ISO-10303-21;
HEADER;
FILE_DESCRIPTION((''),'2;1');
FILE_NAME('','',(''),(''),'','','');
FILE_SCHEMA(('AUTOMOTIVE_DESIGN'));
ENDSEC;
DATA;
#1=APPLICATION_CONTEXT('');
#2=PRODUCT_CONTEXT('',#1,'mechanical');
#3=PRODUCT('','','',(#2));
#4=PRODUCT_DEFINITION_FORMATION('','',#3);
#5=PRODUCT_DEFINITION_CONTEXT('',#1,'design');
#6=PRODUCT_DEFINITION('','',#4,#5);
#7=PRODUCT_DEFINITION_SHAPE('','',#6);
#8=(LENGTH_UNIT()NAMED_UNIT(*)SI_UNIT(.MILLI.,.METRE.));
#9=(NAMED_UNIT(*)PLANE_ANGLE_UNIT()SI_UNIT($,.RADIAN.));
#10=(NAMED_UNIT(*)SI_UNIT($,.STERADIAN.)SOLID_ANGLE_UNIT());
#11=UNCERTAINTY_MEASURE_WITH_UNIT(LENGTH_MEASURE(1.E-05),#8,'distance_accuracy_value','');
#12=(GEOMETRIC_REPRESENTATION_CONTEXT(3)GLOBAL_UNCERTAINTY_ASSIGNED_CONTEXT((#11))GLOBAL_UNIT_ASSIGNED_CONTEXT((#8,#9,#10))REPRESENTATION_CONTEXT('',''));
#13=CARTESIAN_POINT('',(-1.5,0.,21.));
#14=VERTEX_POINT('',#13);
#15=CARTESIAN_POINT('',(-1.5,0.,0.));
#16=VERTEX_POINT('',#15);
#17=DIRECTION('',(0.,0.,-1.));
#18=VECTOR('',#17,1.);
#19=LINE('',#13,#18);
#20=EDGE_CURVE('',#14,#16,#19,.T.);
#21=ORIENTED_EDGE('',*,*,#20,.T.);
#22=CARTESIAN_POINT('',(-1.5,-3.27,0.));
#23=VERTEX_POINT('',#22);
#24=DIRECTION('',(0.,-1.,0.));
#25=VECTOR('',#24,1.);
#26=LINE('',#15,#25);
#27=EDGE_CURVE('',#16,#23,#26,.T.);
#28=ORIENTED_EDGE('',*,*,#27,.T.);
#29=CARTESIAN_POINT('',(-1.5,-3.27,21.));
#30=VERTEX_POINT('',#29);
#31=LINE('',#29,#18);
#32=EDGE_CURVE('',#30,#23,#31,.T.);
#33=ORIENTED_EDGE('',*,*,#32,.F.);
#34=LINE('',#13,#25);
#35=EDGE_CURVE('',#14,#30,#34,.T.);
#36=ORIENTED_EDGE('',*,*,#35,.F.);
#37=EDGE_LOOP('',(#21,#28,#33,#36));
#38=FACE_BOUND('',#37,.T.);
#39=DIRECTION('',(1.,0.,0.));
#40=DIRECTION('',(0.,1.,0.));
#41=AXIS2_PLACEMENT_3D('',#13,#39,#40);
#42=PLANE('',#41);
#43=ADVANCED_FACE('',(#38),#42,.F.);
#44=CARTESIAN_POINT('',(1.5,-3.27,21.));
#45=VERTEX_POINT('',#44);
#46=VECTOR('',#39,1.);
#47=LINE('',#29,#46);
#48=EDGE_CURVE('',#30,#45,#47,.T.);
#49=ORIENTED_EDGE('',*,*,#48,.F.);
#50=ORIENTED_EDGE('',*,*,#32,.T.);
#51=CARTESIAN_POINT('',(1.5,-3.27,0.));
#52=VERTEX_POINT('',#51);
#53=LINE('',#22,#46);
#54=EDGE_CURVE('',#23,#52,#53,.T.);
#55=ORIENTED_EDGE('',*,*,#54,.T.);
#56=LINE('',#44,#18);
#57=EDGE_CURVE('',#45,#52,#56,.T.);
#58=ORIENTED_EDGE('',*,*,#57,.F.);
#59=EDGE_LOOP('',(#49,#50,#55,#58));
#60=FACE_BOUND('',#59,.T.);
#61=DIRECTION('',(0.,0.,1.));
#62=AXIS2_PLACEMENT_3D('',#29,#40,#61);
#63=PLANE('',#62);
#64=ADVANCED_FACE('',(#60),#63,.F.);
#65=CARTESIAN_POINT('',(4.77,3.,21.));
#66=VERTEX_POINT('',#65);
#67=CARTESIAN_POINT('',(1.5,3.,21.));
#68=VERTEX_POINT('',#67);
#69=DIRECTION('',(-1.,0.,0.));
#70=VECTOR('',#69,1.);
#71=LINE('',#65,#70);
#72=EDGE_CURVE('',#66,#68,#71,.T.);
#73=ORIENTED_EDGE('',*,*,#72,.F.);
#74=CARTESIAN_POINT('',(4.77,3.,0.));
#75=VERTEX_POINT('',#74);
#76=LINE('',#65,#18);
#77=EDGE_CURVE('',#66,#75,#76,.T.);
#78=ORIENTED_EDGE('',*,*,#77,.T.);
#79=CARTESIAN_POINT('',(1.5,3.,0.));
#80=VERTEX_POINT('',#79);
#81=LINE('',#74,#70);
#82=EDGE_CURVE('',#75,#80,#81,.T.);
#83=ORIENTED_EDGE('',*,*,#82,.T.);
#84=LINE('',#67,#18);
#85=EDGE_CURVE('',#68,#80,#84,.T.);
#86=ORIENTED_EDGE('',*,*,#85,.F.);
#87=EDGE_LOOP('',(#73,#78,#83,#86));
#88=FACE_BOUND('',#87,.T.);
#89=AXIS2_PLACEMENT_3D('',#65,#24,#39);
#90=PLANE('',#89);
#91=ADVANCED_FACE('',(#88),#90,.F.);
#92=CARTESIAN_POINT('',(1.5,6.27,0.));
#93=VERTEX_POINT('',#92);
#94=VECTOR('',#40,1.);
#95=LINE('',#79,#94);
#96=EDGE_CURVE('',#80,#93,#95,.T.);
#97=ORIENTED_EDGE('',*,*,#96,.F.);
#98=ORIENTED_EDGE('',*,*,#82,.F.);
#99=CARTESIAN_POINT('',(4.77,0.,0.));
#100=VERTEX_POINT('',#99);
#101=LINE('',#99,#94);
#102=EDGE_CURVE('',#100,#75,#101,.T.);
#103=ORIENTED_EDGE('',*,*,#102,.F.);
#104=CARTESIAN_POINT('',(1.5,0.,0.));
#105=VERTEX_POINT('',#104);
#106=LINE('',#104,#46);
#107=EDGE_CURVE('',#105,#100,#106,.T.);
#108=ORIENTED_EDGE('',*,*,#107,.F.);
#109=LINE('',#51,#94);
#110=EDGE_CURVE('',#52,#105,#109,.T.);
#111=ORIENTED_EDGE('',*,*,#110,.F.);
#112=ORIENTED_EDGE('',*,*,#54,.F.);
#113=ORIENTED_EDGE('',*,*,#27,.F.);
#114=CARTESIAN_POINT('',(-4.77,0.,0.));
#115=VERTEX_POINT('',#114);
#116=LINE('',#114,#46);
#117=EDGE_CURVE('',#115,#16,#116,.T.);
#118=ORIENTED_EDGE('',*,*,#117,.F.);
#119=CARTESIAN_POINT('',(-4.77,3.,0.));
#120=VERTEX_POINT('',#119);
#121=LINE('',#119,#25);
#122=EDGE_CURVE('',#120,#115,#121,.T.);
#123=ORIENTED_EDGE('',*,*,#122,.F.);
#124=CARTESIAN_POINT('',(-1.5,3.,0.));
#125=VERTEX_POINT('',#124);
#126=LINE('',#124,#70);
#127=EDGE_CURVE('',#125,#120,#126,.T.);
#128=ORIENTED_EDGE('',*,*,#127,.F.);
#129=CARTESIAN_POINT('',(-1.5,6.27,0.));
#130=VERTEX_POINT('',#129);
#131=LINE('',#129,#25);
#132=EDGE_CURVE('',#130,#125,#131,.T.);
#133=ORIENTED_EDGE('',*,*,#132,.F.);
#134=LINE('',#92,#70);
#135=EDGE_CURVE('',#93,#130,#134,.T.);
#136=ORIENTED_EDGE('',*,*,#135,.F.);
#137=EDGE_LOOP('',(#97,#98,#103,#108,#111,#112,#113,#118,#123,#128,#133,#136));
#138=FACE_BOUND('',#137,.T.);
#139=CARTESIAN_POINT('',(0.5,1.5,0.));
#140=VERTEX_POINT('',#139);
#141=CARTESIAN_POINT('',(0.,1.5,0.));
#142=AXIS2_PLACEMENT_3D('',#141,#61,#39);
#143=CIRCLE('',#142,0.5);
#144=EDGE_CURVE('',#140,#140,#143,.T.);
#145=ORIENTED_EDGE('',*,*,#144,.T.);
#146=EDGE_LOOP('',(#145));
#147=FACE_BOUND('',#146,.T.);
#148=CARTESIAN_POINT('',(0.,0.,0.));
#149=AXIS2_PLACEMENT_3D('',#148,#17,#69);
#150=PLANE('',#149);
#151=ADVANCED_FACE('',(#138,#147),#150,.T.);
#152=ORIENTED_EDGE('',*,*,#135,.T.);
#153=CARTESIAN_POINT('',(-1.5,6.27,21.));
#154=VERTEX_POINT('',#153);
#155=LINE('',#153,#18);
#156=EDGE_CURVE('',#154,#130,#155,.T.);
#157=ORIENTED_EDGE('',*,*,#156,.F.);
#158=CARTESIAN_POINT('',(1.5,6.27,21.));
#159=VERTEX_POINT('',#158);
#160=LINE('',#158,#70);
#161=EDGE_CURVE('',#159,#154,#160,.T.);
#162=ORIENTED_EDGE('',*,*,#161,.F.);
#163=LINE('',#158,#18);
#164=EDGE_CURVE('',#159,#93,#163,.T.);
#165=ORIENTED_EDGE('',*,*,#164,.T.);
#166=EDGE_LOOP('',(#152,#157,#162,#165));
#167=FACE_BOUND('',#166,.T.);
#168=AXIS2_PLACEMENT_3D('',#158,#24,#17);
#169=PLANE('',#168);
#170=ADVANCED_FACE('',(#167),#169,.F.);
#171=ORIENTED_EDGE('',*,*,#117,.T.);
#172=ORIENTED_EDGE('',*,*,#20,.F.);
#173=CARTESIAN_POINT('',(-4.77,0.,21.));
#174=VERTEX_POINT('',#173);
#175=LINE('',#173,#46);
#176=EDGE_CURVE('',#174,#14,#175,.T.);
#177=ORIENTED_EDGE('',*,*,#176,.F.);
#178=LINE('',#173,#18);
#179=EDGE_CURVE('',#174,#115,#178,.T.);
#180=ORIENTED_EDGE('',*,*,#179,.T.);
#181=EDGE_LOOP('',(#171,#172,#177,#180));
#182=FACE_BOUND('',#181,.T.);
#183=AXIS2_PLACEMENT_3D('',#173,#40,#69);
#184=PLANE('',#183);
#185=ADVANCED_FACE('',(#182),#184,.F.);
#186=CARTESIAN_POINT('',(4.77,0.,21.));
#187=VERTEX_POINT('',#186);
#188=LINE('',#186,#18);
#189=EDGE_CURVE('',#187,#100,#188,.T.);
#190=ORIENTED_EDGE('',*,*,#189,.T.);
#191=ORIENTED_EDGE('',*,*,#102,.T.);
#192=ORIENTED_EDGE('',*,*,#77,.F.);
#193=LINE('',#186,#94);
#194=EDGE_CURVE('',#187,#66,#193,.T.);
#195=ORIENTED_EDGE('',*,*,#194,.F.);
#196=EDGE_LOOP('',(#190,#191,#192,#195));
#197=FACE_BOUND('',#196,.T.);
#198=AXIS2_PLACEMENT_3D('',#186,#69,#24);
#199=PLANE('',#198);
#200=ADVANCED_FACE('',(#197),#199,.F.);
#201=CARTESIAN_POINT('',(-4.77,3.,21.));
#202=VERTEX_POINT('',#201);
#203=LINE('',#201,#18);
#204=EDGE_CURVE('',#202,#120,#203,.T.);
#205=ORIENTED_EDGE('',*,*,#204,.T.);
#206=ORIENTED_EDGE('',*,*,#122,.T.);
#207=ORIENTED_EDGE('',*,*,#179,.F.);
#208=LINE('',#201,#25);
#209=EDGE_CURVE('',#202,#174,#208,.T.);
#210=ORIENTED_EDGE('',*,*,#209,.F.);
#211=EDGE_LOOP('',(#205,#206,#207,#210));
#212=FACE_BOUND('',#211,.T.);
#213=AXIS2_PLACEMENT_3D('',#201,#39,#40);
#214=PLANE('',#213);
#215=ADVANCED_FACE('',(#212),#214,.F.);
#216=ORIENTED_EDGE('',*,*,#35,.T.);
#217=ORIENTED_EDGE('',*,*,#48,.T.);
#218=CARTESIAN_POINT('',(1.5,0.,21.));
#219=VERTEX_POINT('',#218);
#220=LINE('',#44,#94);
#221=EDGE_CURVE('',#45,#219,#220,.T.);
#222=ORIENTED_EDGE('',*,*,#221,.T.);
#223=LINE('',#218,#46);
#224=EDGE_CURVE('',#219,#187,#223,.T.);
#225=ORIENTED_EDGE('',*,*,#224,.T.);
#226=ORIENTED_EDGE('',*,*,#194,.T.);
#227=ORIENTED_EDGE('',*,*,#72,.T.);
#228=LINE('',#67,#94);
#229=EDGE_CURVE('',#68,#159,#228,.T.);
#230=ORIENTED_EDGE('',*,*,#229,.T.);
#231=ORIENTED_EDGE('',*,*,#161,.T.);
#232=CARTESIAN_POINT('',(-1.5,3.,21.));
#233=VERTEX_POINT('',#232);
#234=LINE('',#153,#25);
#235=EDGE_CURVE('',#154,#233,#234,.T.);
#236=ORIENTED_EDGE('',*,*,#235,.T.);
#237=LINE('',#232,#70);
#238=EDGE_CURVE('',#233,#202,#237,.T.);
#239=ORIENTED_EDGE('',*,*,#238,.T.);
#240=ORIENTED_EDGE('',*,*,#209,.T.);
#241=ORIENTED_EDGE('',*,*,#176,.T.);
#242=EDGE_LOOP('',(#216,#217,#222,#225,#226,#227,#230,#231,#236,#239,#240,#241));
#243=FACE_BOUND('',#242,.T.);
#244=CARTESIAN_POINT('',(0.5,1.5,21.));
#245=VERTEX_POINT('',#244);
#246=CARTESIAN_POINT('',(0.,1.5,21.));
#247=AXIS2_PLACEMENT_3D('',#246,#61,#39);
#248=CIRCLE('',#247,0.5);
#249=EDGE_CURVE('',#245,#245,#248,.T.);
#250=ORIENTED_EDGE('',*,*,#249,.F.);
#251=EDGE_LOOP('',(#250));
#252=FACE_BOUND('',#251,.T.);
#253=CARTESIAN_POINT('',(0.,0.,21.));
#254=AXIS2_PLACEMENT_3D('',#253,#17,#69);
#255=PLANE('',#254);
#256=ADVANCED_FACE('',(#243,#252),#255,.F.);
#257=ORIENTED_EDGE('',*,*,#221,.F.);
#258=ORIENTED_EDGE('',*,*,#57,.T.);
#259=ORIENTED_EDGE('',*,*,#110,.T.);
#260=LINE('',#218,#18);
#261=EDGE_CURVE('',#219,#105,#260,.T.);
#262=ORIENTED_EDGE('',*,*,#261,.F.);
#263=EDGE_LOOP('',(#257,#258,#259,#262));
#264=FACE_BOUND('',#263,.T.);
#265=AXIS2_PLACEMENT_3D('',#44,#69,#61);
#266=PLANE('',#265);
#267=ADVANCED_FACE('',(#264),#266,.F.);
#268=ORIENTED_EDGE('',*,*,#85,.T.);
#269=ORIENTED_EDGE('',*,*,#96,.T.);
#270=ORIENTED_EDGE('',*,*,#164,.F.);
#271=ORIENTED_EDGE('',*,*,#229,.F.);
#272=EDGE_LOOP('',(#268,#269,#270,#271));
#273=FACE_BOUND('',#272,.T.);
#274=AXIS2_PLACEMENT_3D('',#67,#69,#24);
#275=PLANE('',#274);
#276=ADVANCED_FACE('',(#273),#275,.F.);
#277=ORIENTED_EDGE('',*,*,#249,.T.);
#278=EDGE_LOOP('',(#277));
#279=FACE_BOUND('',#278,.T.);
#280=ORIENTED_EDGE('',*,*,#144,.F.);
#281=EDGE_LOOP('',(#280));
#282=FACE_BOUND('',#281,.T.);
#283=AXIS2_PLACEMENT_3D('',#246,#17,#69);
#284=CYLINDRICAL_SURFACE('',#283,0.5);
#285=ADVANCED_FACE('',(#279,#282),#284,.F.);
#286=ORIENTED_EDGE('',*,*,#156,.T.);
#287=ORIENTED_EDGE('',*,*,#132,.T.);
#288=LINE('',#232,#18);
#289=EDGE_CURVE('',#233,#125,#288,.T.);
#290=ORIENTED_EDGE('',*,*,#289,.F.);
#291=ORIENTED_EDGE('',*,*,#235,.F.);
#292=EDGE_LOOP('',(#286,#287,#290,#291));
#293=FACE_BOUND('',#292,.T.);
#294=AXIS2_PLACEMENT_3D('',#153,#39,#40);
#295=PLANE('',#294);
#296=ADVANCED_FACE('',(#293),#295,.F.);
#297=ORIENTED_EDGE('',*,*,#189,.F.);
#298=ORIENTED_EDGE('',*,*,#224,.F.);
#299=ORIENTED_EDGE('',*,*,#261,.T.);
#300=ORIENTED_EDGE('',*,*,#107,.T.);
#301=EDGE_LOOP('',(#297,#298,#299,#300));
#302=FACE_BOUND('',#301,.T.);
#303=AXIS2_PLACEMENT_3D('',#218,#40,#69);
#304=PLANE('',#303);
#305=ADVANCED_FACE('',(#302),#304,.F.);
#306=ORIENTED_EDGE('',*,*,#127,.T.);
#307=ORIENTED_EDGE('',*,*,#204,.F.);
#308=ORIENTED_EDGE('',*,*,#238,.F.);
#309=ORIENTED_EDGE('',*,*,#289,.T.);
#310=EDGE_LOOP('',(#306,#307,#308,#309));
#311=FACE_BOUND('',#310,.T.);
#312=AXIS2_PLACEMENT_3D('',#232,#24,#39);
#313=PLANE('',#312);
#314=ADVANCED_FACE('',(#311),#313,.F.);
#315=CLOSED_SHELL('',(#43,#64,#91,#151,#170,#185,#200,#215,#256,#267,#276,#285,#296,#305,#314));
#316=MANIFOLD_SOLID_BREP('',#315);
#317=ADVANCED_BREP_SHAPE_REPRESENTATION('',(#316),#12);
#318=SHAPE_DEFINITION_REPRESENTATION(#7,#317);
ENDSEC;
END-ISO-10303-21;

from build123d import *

# Parameters (mm, degrees)
SKETCH2_R           = 0.5
BOSS_EXTRUDE1_DEPTH = 21


with BuildPart() as part:
    # Sketch2 → Boss-Extrude1 (new body)
    with BuildSketch(Plane.XY):
        Polygon((1.5, 0), (4.77, 0), (4.77, 3), (1.5, 3), (1.5, 6.27), (-1.5, 6.27), (-1.5, 3), (-4.77, 3), (-4.77, 0), (-1.5, 0), (-1.5, -3.27), (1.5, -3.27), align=None)
        with Locations((0, 1.5)):
            Circle(SKETCH2_R, mode=Mode.SUBTRACT)
    extrude(amount=BOSS_EXTRUDE1_DEPTH)


solid = part.part
